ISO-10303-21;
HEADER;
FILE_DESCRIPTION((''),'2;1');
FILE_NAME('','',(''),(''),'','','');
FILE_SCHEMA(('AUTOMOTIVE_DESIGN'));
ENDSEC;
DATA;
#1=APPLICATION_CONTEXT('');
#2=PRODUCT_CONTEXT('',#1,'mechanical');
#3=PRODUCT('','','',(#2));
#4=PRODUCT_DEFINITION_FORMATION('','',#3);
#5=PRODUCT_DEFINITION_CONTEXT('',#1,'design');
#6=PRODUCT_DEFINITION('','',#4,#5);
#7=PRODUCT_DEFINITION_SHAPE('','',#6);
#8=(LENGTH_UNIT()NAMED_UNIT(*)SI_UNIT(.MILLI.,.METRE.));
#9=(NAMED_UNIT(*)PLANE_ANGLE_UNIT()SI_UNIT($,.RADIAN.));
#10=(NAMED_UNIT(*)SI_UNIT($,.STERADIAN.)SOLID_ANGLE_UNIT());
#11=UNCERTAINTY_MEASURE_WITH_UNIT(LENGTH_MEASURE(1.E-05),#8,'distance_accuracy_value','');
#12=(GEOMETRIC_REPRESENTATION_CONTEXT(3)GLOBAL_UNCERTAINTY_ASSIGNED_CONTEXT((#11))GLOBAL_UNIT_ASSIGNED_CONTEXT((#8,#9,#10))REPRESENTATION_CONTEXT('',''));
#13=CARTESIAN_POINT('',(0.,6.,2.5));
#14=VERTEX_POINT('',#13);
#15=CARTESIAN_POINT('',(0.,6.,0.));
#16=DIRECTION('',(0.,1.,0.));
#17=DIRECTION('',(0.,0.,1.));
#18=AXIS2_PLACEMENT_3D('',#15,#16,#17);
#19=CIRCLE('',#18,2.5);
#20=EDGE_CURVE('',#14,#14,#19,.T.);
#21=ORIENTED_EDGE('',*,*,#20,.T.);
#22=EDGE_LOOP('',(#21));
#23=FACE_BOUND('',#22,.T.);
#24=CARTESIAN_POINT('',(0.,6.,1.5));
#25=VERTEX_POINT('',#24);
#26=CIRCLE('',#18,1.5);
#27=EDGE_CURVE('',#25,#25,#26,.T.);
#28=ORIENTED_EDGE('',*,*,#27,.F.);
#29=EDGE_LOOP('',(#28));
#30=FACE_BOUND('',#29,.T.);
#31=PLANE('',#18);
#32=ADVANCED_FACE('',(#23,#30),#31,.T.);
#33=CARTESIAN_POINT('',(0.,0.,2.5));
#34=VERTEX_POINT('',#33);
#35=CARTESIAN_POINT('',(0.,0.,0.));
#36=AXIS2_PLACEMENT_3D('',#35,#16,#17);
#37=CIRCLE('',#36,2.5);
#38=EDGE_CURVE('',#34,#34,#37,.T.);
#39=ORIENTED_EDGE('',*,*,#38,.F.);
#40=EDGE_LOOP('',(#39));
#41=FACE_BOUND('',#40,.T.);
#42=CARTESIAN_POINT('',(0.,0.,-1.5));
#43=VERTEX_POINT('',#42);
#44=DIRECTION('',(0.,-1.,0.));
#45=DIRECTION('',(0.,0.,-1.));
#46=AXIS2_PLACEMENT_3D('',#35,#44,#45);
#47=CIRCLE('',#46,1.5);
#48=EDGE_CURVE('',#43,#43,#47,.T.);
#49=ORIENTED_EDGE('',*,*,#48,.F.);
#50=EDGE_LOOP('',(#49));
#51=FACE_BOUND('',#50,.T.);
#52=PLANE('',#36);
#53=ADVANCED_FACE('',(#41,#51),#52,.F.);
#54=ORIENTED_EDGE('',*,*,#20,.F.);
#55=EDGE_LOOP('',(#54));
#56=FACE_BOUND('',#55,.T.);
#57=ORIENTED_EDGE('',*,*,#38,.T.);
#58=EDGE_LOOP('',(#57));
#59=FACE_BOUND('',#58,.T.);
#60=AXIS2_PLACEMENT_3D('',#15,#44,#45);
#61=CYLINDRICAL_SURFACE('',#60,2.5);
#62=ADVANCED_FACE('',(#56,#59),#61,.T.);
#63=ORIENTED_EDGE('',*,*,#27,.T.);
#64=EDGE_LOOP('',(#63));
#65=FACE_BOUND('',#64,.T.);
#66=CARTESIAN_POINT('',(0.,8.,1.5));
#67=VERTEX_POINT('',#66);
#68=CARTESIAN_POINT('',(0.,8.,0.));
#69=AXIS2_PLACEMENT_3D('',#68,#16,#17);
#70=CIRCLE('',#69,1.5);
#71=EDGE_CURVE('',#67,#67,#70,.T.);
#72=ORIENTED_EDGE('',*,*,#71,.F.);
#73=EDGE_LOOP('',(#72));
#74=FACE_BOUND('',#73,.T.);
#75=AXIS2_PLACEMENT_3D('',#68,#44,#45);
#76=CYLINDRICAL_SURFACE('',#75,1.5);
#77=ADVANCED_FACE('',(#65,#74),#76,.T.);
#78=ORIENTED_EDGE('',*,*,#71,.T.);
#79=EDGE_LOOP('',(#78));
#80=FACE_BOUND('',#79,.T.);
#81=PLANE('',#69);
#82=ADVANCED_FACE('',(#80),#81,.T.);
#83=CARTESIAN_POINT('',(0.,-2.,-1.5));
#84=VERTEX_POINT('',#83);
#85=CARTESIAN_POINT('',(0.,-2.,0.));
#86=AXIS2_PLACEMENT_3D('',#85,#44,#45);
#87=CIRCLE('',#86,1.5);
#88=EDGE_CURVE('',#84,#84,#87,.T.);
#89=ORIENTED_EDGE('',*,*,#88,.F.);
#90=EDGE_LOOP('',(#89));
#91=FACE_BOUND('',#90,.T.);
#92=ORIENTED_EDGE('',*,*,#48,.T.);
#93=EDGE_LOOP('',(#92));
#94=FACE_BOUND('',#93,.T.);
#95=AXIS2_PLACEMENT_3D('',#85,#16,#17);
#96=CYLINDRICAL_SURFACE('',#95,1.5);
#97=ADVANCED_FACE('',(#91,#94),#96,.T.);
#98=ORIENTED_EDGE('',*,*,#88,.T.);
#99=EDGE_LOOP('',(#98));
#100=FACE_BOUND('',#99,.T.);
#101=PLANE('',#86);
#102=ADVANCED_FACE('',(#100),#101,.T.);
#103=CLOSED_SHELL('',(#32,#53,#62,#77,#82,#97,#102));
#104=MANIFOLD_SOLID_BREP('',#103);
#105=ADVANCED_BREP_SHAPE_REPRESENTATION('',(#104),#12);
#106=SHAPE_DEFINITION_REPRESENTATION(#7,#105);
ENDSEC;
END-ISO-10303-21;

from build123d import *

# Parameters (mm, degrees)
SKETCH_1_R      = 2.5
EXTRUDE_1_DEPTH = 6
SKETCH_2_R      = 1.5
EXTRUDE_2_DEPTH = 2
EXTRUDE_START   = 2
SKETCH_4_R      = 1.5
EXTRUDE_3_DEPTH = 2


with BuildPart() as part:
    # Эскиз1 → Бобышка-Вытянуть1 (new body)
    with BuildSketch(Plane(origin=(0, 0, 0), x_dir=(1, 0, 0), z_dir=(0, 1, 0))):
        with Locations(Location((0, 0, 0), (0, 0, 270))):
            Circle(SKETCH_1_R)
    extrude(amount=EXTRUDE_1_DEPTH)

    # Эскиз2 → Бобышка-Вытянуть2 (add)
    with BuildSketch(Plane(origin=(0, 6, 0), x_dir=(1, 0, 0), z_dir=(0, 1, 0))):
        with Locations(Location((0, 0, 0), (0, 0, 270))):
            Circle(SKETCH_2_R)
    extrude(amount=EXTRUDE_2_DEPTH)

    # Эскиз4 → Бобышка-Вытянуть3 (add)
    with BuildSketch(Plane.XZ.offset(EXTRUDE_START)):
        with Locations(Location((0, 0, 0), (0, 0, 90))):
            Circle(SKETCH_4_R)
    extrude(amount=-EXTRUDE_3_DEPTH)


solid = part.part
